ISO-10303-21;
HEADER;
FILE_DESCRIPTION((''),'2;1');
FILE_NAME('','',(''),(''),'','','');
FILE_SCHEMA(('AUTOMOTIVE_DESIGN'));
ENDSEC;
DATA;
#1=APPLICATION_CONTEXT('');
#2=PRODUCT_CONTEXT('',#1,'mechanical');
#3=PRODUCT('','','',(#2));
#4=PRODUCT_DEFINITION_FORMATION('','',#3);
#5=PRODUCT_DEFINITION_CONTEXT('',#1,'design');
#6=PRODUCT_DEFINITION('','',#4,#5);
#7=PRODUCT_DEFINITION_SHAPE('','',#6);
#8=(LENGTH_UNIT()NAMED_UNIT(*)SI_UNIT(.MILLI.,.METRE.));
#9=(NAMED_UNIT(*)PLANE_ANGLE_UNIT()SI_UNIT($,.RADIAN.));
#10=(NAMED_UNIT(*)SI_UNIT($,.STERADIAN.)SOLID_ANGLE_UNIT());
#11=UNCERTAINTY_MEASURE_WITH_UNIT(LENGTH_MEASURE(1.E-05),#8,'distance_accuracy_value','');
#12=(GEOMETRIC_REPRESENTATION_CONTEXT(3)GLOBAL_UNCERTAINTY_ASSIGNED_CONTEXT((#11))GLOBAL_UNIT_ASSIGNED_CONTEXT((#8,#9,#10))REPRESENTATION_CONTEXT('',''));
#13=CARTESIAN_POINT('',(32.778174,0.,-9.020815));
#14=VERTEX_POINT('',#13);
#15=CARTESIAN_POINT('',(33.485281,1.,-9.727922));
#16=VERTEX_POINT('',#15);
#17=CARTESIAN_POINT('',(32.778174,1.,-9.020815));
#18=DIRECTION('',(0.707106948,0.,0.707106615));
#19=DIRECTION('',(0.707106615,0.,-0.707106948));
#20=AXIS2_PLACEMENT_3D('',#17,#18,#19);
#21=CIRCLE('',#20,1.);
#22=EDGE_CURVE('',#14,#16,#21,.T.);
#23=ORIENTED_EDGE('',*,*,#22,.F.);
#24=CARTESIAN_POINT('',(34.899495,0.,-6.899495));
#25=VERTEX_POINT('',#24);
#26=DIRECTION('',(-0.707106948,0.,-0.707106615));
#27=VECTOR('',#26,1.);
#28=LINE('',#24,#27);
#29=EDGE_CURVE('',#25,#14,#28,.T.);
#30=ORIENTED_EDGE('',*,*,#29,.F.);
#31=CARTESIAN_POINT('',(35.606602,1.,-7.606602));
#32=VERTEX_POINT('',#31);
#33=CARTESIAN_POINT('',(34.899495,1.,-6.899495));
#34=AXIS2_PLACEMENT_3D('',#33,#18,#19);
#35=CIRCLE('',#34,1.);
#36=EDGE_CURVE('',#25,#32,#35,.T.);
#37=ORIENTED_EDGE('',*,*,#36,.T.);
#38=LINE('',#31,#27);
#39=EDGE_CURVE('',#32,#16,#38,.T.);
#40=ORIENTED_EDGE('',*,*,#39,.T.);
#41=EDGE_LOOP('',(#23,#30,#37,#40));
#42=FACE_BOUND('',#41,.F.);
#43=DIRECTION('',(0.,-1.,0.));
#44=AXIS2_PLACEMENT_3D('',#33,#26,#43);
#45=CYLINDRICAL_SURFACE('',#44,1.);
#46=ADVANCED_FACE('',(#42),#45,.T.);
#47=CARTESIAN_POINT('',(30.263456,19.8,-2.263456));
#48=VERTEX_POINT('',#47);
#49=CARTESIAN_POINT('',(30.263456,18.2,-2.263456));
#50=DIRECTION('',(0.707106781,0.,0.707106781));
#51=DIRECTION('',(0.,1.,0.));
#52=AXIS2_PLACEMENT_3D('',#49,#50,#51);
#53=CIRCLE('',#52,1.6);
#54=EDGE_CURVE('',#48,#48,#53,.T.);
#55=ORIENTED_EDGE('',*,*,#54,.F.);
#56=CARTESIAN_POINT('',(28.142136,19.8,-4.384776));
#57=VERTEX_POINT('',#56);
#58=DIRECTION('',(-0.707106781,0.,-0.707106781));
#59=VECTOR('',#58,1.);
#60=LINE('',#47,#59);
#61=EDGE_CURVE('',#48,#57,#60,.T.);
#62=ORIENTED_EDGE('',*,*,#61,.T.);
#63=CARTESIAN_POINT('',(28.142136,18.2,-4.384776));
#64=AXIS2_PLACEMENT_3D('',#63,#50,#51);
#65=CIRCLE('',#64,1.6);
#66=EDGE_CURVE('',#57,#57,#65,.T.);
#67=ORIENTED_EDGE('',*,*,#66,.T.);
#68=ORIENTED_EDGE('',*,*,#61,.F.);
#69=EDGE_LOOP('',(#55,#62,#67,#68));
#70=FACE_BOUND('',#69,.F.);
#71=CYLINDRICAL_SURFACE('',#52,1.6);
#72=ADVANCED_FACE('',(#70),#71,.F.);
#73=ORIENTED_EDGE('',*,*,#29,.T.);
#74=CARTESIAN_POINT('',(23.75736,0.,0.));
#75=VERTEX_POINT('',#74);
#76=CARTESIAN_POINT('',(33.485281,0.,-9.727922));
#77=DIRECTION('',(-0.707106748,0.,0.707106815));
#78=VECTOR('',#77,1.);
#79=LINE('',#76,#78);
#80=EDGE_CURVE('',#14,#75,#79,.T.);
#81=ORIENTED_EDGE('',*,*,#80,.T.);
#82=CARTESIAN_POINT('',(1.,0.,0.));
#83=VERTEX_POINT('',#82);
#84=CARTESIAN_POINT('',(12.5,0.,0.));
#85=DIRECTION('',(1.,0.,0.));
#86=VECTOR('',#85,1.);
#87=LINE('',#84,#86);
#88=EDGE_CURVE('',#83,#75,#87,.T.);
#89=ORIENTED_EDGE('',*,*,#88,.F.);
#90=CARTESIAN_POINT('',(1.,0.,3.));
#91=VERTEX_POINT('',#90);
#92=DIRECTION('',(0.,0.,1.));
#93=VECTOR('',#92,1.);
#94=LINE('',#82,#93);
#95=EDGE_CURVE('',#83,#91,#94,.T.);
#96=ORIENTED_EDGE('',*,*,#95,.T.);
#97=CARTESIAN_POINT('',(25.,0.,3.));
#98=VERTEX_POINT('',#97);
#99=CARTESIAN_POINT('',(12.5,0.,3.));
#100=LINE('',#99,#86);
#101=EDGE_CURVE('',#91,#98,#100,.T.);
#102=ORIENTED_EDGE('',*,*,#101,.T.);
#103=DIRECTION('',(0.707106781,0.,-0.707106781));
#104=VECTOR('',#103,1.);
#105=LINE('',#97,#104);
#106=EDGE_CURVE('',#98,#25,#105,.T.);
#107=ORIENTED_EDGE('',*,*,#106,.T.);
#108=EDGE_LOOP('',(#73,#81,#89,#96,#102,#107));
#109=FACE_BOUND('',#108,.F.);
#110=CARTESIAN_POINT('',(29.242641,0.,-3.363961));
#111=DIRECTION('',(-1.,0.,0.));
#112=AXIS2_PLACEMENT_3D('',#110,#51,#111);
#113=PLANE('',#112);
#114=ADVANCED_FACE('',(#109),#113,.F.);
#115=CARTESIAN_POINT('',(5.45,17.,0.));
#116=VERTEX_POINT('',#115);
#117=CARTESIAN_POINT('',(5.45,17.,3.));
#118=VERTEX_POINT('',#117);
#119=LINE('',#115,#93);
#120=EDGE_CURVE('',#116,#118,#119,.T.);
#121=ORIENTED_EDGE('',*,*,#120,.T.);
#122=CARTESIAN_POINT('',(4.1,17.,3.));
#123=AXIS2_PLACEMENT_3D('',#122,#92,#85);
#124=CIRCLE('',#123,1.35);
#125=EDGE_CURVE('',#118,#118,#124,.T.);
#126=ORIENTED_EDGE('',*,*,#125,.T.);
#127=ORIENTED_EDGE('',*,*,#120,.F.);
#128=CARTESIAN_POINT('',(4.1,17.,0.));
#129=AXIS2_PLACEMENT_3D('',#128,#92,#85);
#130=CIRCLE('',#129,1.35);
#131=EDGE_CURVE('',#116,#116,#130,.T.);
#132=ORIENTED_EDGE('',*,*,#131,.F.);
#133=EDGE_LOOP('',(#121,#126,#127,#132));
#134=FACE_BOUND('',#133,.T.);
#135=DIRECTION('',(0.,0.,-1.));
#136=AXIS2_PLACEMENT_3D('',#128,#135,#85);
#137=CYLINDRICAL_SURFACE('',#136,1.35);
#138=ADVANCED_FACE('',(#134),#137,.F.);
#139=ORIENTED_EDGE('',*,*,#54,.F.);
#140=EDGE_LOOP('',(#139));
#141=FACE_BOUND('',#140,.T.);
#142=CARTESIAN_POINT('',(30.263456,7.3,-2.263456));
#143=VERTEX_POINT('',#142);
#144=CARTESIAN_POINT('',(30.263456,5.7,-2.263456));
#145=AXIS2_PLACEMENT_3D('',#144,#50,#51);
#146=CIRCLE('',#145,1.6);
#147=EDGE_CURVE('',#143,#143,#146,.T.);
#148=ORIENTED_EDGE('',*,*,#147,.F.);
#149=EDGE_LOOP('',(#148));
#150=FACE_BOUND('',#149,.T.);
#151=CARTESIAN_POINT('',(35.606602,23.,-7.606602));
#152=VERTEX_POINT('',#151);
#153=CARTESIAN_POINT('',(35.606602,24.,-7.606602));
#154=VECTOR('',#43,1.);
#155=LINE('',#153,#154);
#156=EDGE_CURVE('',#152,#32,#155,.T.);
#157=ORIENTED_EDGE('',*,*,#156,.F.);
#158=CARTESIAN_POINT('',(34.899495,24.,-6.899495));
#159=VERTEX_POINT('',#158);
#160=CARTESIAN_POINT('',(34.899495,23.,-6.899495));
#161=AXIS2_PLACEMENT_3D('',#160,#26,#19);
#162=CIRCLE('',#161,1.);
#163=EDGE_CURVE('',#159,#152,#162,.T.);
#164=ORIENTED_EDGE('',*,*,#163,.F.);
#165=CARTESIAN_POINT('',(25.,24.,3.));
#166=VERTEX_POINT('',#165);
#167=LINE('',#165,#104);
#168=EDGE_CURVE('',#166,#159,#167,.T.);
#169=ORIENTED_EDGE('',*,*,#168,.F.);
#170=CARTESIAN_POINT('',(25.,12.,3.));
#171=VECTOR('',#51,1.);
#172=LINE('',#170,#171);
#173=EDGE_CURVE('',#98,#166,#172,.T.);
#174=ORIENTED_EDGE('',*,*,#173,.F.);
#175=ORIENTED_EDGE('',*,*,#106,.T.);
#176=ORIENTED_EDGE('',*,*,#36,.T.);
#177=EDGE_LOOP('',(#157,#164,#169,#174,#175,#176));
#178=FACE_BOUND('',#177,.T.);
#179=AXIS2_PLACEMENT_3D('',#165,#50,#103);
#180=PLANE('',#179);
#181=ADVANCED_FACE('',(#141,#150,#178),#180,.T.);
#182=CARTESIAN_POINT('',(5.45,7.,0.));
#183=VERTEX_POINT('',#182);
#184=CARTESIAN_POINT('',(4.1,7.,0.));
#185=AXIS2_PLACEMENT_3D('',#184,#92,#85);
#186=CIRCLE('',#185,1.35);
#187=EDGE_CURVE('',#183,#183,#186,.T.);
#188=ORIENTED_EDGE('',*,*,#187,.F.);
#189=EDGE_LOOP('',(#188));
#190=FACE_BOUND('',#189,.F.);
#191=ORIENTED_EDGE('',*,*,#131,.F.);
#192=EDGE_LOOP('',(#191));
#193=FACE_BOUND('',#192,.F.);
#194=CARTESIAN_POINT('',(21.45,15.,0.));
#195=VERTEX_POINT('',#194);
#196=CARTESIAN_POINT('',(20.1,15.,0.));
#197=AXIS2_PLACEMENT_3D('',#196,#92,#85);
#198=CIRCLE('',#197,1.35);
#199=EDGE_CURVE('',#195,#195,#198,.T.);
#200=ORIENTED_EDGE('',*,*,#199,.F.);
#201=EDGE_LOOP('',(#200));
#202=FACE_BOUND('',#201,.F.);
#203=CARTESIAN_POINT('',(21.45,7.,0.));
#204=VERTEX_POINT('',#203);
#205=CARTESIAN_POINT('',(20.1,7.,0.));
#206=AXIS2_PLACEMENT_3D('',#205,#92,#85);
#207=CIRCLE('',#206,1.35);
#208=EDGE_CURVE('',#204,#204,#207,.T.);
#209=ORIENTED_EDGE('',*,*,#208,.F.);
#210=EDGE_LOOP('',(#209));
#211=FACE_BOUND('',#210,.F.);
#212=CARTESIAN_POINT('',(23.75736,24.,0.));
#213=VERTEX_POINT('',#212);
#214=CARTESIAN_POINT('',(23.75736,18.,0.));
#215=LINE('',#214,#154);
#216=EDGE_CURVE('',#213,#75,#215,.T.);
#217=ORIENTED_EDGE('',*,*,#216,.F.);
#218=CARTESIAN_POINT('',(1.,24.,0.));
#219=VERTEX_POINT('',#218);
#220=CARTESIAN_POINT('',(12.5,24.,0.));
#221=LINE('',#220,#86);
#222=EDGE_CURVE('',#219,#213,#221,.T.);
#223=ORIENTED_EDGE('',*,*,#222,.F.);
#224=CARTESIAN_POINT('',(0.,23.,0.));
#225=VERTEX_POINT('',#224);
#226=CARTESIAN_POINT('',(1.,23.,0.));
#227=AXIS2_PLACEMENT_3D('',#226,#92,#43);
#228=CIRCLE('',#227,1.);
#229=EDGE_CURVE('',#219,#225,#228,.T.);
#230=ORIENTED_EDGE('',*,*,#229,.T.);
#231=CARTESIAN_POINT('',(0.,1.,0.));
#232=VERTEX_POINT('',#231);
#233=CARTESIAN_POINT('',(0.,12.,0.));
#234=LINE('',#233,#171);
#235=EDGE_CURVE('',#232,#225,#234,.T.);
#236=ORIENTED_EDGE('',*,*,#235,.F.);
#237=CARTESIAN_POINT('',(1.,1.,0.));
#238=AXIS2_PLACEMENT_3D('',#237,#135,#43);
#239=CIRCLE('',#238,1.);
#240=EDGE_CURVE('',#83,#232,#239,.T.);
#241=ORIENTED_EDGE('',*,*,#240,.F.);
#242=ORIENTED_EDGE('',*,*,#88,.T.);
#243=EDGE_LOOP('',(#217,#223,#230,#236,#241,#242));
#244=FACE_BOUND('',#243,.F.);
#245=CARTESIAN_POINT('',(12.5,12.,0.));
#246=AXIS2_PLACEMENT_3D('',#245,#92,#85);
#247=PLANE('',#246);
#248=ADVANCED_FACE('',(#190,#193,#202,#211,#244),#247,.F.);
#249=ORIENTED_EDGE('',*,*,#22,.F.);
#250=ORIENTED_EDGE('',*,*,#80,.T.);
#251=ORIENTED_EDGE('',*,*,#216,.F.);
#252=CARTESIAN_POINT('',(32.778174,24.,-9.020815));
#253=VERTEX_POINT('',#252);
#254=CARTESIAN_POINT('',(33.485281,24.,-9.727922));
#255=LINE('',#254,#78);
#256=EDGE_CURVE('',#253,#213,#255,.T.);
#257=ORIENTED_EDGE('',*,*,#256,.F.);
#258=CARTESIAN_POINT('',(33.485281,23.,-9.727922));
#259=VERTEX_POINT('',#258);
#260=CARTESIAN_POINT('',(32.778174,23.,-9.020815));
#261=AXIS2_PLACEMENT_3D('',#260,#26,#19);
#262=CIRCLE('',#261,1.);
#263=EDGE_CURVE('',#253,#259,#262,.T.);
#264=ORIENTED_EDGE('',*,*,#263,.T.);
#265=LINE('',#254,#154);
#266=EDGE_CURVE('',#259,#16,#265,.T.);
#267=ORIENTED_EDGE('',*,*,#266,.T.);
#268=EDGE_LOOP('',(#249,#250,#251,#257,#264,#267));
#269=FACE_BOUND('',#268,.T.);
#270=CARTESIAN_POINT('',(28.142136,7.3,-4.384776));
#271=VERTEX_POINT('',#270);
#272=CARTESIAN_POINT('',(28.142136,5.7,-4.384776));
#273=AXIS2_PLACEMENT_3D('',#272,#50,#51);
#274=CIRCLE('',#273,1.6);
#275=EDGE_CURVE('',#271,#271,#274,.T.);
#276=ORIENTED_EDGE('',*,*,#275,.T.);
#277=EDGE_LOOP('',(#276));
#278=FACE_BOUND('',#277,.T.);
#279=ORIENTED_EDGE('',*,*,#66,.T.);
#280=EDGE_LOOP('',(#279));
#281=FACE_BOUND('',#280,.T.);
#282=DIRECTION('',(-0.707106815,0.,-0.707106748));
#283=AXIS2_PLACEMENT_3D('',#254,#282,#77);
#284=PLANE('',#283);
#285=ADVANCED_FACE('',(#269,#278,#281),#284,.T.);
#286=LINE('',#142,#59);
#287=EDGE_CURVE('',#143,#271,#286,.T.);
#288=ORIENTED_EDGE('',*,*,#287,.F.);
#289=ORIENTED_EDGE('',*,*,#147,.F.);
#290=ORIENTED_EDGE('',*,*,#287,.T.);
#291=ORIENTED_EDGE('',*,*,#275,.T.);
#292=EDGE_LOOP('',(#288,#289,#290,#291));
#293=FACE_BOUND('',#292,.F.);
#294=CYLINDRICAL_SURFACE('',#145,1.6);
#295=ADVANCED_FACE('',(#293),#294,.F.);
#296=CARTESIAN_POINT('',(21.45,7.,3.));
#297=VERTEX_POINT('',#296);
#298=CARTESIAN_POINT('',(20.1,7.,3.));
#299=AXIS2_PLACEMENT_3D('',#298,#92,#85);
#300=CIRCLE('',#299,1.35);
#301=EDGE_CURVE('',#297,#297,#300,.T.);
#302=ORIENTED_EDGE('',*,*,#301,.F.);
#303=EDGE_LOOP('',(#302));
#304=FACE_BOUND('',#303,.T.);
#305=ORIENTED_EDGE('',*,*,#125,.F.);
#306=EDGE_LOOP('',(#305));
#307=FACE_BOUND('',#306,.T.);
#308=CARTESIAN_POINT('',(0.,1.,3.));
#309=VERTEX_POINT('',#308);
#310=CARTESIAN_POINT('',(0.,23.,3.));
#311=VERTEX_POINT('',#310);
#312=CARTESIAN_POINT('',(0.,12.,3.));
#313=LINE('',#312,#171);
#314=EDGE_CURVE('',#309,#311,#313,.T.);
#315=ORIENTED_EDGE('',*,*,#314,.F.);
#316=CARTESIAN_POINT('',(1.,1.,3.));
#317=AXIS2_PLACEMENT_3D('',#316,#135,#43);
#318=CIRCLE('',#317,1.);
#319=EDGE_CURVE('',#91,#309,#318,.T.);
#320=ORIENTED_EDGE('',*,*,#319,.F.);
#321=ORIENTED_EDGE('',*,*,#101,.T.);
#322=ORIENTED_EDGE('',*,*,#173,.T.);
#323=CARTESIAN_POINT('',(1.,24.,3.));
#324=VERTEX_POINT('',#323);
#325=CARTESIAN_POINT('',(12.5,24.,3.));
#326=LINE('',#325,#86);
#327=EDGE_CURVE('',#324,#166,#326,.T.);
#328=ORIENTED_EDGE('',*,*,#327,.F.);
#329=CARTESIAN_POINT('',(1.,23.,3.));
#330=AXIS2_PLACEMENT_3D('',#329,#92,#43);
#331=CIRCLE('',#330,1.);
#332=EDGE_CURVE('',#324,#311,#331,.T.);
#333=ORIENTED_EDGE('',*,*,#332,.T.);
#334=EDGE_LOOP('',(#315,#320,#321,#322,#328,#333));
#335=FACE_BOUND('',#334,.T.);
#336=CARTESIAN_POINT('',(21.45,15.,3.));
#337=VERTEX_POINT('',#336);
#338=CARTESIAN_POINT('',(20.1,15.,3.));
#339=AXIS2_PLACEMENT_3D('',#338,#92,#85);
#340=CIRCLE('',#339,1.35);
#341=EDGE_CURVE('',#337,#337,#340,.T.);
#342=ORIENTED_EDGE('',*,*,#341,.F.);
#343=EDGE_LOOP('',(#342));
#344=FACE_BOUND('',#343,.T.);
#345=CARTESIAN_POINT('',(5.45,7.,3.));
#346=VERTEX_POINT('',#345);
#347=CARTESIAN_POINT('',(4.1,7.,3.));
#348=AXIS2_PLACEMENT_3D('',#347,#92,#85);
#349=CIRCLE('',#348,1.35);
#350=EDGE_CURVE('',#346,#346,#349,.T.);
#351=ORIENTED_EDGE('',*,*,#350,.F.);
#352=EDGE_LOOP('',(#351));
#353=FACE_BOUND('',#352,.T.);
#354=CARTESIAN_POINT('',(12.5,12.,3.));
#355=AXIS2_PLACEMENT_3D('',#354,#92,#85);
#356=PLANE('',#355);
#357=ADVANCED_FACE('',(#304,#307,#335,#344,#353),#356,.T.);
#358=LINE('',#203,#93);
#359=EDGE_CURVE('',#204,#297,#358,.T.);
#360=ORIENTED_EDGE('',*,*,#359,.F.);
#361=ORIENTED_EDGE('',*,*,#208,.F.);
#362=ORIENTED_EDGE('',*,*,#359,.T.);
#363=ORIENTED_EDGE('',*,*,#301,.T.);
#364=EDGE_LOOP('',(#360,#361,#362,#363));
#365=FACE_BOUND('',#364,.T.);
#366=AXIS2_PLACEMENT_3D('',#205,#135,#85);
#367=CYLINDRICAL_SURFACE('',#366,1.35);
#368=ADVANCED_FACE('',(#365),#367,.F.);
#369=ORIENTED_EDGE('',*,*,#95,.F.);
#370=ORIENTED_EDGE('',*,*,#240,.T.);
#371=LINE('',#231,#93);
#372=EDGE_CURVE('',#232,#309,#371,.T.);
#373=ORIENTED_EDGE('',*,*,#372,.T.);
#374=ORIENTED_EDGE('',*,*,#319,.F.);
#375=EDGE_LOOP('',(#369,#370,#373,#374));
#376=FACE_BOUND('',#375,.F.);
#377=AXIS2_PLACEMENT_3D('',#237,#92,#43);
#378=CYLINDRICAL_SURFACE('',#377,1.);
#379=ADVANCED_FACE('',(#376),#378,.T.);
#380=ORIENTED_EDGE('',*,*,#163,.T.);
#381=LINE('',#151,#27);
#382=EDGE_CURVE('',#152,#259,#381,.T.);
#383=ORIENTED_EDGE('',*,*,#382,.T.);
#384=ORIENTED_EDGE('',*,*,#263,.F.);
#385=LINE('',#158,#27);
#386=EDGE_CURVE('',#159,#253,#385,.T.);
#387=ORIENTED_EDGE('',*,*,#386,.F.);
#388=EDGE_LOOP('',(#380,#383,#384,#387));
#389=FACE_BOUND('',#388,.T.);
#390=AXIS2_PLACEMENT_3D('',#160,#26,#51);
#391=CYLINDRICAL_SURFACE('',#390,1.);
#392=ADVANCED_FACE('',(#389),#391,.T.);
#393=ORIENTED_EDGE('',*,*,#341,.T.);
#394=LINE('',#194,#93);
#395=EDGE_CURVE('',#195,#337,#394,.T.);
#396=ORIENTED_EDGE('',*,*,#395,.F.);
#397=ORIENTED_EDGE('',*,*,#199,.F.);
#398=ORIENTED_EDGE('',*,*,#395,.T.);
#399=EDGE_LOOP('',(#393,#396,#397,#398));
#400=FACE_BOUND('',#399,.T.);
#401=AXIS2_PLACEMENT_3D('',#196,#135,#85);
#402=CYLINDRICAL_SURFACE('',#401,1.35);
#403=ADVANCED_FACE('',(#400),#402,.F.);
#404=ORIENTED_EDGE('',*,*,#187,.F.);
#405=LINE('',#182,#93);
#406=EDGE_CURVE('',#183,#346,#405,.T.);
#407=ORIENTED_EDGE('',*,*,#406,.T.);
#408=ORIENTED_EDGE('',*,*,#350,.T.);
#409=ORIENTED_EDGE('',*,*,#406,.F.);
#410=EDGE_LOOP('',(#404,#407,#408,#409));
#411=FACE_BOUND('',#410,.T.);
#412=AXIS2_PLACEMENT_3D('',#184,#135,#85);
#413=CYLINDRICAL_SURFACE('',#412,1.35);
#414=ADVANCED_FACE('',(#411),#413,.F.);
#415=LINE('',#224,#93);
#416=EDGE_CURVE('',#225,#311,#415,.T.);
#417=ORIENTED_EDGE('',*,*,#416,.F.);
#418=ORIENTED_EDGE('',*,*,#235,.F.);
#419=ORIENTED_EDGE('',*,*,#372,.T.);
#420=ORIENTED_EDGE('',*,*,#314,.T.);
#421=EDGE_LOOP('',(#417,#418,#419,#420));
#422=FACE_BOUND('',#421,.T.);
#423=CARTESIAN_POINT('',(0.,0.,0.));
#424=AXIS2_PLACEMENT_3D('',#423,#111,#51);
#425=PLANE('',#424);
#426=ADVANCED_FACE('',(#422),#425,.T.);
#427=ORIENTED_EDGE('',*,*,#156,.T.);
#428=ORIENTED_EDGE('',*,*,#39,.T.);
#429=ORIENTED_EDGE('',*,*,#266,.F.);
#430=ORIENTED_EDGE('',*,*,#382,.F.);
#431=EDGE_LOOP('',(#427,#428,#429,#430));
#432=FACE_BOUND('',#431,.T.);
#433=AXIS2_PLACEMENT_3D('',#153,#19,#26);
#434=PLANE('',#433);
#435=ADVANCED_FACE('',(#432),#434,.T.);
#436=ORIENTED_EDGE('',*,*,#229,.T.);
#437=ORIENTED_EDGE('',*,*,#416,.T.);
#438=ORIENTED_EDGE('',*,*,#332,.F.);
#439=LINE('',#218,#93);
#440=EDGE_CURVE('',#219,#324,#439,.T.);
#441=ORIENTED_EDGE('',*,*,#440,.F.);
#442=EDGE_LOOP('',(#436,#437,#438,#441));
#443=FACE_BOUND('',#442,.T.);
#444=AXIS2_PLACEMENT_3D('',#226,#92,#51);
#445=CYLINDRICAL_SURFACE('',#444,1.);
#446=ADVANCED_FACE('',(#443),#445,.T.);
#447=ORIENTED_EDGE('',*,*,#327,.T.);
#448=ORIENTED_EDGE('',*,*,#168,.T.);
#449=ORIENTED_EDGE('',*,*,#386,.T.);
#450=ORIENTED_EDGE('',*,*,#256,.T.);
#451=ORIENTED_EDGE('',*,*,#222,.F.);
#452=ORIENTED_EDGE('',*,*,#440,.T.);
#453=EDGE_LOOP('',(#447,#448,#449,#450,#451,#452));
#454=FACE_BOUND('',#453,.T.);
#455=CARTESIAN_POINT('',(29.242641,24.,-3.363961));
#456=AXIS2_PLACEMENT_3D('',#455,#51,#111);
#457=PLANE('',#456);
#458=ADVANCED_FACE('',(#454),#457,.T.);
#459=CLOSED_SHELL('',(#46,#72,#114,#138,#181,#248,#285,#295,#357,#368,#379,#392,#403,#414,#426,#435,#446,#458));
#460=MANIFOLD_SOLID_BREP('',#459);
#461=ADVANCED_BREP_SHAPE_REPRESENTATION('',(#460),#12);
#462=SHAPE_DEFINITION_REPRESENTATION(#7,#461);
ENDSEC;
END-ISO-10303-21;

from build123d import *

# Parameters (mm, degrees)
SKETCH_W     = 25
SKETCH_H     = 24
SKETCH_R     = 1.35
PAD_DEPTH    = 3
PAD001_DEPTH = 24
SKETCH002_R  = 1.6
POCKET_DEPTH = 26.67867
FILLET_R     = 1


with BuildPart() as part:
    # Sketch → Pad (new body)
    with BuildSketch(Plane.XY):
        with Locations((12.5, 12)):
            Rectangle(SKETCH_W, SKETCH_H)
        with Locations((4.1, 17)):
            Circle(SKETCH_R, mode=Mode.SUBTRACT)
        with Locations((20.1, 15)):
            Circle(SKETCH_R, mode=Mode.SUBTRACT)
        with Locations((4.1, 7)):
            Circle(SKETCH_R, mode=Mode.SUBTRACT)
        with Locations((20.1, 7)):
            Circle(SKETCH_R, mode=Mode.SUBTRACT)
    extrude(amount=PAD_DEPTH)

    # Sketch001 (on Face3 of Pad) → Pad001 (join)
    with BuildSketch(Plane(origin=(0, 24, 0), x_dir=(-1, 0, 0), z_dir=(0, 1, 0))):
        Polygon((-25, 3), (-35.606602, -7.606602), (-33.485281, -9.727922), (-22.87868, 0.87868), align=None)
    extrude(amount=-PAD001_DEPTH)

    # Sketch002 (on Face13 of Pad001) → Pocket (cut, through all)
    with BuildSketch(Plane(origin=(14, 0, 14), x_dir=(0, 1, 0), z_dir=(0.707107, 0, 0.707107))):
        with Locations((5.7, -23)):
            Circle(SKETCH002_R)
        with Locations((18.2, -23)):
            Circle(SKETCH002_R)
    extrude(amount=-POCKET_DEPTH, mode=Mode.SUBTRACT)

    # Fillet
    fillet_edges = [part.edges().sort_by_distance(p)[0] for p in [
        (34.545942, 24, -8.667262),
        (34.545942, 0, -8.667262),
        (0, 24, 1.5),
        (0, 0, 1.5),
    ]]
    fillet(fillet_edges, radius=FILLET_R)


solid = part.part
